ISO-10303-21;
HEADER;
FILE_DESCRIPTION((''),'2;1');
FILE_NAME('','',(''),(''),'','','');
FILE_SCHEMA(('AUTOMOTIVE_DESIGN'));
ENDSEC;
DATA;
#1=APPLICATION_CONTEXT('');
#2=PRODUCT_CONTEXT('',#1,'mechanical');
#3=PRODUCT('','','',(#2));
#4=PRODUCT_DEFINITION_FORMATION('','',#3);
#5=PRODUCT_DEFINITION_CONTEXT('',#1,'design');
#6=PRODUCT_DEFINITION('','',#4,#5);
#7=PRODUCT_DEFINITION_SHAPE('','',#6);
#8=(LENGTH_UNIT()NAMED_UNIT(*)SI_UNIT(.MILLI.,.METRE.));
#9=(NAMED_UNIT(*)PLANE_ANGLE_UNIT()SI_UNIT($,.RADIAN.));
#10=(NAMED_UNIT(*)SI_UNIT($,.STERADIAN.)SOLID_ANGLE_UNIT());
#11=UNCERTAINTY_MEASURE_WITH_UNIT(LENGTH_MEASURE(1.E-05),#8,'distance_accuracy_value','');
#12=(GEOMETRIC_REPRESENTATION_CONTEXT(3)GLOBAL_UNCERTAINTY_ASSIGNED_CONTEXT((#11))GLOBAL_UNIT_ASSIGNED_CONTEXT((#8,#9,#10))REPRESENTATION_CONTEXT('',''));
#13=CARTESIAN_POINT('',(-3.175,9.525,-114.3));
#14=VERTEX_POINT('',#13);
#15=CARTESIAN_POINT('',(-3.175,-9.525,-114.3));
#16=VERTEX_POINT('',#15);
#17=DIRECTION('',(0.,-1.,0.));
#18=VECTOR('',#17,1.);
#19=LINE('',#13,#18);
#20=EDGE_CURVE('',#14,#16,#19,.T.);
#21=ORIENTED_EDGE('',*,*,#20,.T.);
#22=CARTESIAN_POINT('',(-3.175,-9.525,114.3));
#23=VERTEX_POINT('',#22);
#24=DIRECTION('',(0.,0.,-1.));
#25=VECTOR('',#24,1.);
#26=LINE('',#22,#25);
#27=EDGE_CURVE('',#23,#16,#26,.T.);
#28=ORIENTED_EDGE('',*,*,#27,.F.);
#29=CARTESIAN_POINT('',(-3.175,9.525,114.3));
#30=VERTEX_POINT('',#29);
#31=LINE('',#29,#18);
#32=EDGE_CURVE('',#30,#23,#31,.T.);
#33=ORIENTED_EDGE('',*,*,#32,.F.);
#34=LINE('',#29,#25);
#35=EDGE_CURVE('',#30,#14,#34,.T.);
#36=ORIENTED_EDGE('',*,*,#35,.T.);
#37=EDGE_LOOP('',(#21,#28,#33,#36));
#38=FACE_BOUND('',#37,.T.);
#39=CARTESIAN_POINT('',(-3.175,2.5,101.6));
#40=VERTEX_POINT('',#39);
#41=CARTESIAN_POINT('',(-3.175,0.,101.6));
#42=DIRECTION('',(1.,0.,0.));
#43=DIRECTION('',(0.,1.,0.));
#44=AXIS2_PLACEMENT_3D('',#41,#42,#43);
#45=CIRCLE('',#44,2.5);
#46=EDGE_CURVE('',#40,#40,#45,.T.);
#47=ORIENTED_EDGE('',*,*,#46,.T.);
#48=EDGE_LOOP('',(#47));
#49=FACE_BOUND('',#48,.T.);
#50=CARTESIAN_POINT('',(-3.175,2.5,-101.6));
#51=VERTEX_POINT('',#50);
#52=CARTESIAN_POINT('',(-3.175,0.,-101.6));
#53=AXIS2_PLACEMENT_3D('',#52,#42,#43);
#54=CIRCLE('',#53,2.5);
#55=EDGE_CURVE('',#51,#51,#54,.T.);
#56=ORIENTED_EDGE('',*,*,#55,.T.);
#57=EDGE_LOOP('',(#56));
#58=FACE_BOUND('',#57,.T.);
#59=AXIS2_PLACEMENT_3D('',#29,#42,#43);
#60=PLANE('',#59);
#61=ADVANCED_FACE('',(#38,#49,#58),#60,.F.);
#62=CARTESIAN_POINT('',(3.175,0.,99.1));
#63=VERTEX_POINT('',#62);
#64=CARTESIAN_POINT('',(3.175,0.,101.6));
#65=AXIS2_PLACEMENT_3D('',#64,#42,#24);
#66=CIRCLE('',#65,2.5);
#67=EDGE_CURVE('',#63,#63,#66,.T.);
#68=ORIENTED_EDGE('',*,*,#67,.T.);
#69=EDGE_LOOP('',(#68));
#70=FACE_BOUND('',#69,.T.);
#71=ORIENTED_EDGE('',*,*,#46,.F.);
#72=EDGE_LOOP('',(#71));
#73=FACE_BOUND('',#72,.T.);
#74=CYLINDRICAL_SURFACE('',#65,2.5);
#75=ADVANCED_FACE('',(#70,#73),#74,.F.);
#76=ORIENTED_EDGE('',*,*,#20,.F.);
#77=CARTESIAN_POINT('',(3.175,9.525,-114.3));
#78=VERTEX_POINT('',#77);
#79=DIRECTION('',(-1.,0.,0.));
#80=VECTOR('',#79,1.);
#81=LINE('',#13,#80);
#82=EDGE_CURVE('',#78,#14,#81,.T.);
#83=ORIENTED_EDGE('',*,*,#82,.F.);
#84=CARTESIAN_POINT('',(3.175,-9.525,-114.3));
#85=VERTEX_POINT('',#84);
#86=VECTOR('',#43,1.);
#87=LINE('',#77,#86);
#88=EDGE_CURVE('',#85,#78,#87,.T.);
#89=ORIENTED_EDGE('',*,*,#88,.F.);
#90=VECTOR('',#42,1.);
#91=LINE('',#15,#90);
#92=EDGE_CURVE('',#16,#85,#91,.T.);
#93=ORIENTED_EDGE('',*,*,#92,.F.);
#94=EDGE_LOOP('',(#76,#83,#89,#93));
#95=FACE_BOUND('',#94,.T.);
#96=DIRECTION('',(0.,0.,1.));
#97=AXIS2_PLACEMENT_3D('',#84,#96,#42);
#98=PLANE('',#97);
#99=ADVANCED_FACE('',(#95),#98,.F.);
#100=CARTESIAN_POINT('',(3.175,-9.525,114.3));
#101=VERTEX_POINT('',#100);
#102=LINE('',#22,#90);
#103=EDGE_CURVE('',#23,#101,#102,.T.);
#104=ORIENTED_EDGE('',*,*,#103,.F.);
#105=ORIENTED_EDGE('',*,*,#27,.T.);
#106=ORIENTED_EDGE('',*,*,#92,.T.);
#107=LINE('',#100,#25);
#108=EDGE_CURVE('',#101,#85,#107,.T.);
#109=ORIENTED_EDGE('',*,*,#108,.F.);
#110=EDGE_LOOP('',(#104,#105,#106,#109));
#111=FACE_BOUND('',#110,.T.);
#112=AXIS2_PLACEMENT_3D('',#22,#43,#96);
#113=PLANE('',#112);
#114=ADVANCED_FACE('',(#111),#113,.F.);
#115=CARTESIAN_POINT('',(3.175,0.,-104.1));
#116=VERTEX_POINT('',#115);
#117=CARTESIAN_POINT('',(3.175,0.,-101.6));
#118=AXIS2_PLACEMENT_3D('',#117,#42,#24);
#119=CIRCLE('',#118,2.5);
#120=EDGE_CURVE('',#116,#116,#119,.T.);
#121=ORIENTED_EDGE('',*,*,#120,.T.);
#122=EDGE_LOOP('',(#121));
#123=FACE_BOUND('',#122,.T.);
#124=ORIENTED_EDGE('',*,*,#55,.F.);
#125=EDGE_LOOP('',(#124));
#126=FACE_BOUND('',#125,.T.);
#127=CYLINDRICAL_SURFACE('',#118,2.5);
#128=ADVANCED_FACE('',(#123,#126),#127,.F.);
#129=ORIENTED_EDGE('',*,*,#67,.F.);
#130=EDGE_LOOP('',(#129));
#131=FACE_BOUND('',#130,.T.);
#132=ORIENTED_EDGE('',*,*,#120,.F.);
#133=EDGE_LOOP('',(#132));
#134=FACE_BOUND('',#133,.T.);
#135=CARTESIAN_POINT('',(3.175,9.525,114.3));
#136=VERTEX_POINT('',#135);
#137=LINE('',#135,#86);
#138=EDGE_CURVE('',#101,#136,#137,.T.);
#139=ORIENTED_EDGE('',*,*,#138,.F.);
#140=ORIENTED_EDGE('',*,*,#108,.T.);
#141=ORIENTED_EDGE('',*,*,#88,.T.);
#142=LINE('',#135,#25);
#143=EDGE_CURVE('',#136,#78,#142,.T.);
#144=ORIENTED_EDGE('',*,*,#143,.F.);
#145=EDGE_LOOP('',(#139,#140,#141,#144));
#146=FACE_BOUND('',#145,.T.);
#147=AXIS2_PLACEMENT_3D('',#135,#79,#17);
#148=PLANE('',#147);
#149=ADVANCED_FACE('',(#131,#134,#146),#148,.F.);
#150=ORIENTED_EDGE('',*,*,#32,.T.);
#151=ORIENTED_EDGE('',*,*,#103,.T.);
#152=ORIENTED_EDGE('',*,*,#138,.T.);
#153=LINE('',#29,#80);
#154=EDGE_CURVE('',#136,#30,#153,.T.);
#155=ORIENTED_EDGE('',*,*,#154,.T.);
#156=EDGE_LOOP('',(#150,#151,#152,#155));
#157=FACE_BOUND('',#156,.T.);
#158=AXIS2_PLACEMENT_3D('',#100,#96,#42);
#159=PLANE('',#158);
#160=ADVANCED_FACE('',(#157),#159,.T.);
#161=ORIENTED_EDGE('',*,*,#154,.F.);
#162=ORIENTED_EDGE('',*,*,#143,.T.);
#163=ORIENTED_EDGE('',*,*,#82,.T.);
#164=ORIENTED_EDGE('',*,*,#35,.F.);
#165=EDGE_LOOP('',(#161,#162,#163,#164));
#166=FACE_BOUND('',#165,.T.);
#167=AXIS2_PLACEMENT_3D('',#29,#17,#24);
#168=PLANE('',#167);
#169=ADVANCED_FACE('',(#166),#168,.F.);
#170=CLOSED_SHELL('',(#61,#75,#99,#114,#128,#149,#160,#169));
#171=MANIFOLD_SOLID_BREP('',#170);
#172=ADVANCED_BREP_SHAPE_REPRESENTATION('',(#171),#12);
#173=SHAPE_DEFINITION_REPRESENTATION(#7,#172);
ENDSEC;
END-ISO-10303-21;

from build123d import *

# Parameters (mm, degrees)
SKETCH1_W                 = 6.35
SKETCH1_H                 = 19.05
EXTRUDE1_DEPTH            = 114.3
M6X1_0_TAPPED_HOLE1_D     = 5
M6X1_0_TAPPED_HOLE1_DEPTH = 6.35


with BuildPart() as part:
    # Sketch1 → Extrude1 (new body, symmetric)
    with BuildSketch(Plane.XY):
        Rectangle(SKETCH1_W, SKETCH1_H)
    extrude(amount=EXTRUDE1_DEPTH, both=True)

    # M6x1.0 Tapped Hole1
    with Locations(Plane(origin=(3.175, 0, 0), x_dir=(0, 0, -1), z_dir=(1, 0, 0))):
        with Locations((-101.6, 0), (101.6, 0)):
            Hole(M6X1_0_TAPPED_HOLE1_D / 2, depth=M6X1_0_TAPPED_HOLE1_DEPTH)


solid = part.part
